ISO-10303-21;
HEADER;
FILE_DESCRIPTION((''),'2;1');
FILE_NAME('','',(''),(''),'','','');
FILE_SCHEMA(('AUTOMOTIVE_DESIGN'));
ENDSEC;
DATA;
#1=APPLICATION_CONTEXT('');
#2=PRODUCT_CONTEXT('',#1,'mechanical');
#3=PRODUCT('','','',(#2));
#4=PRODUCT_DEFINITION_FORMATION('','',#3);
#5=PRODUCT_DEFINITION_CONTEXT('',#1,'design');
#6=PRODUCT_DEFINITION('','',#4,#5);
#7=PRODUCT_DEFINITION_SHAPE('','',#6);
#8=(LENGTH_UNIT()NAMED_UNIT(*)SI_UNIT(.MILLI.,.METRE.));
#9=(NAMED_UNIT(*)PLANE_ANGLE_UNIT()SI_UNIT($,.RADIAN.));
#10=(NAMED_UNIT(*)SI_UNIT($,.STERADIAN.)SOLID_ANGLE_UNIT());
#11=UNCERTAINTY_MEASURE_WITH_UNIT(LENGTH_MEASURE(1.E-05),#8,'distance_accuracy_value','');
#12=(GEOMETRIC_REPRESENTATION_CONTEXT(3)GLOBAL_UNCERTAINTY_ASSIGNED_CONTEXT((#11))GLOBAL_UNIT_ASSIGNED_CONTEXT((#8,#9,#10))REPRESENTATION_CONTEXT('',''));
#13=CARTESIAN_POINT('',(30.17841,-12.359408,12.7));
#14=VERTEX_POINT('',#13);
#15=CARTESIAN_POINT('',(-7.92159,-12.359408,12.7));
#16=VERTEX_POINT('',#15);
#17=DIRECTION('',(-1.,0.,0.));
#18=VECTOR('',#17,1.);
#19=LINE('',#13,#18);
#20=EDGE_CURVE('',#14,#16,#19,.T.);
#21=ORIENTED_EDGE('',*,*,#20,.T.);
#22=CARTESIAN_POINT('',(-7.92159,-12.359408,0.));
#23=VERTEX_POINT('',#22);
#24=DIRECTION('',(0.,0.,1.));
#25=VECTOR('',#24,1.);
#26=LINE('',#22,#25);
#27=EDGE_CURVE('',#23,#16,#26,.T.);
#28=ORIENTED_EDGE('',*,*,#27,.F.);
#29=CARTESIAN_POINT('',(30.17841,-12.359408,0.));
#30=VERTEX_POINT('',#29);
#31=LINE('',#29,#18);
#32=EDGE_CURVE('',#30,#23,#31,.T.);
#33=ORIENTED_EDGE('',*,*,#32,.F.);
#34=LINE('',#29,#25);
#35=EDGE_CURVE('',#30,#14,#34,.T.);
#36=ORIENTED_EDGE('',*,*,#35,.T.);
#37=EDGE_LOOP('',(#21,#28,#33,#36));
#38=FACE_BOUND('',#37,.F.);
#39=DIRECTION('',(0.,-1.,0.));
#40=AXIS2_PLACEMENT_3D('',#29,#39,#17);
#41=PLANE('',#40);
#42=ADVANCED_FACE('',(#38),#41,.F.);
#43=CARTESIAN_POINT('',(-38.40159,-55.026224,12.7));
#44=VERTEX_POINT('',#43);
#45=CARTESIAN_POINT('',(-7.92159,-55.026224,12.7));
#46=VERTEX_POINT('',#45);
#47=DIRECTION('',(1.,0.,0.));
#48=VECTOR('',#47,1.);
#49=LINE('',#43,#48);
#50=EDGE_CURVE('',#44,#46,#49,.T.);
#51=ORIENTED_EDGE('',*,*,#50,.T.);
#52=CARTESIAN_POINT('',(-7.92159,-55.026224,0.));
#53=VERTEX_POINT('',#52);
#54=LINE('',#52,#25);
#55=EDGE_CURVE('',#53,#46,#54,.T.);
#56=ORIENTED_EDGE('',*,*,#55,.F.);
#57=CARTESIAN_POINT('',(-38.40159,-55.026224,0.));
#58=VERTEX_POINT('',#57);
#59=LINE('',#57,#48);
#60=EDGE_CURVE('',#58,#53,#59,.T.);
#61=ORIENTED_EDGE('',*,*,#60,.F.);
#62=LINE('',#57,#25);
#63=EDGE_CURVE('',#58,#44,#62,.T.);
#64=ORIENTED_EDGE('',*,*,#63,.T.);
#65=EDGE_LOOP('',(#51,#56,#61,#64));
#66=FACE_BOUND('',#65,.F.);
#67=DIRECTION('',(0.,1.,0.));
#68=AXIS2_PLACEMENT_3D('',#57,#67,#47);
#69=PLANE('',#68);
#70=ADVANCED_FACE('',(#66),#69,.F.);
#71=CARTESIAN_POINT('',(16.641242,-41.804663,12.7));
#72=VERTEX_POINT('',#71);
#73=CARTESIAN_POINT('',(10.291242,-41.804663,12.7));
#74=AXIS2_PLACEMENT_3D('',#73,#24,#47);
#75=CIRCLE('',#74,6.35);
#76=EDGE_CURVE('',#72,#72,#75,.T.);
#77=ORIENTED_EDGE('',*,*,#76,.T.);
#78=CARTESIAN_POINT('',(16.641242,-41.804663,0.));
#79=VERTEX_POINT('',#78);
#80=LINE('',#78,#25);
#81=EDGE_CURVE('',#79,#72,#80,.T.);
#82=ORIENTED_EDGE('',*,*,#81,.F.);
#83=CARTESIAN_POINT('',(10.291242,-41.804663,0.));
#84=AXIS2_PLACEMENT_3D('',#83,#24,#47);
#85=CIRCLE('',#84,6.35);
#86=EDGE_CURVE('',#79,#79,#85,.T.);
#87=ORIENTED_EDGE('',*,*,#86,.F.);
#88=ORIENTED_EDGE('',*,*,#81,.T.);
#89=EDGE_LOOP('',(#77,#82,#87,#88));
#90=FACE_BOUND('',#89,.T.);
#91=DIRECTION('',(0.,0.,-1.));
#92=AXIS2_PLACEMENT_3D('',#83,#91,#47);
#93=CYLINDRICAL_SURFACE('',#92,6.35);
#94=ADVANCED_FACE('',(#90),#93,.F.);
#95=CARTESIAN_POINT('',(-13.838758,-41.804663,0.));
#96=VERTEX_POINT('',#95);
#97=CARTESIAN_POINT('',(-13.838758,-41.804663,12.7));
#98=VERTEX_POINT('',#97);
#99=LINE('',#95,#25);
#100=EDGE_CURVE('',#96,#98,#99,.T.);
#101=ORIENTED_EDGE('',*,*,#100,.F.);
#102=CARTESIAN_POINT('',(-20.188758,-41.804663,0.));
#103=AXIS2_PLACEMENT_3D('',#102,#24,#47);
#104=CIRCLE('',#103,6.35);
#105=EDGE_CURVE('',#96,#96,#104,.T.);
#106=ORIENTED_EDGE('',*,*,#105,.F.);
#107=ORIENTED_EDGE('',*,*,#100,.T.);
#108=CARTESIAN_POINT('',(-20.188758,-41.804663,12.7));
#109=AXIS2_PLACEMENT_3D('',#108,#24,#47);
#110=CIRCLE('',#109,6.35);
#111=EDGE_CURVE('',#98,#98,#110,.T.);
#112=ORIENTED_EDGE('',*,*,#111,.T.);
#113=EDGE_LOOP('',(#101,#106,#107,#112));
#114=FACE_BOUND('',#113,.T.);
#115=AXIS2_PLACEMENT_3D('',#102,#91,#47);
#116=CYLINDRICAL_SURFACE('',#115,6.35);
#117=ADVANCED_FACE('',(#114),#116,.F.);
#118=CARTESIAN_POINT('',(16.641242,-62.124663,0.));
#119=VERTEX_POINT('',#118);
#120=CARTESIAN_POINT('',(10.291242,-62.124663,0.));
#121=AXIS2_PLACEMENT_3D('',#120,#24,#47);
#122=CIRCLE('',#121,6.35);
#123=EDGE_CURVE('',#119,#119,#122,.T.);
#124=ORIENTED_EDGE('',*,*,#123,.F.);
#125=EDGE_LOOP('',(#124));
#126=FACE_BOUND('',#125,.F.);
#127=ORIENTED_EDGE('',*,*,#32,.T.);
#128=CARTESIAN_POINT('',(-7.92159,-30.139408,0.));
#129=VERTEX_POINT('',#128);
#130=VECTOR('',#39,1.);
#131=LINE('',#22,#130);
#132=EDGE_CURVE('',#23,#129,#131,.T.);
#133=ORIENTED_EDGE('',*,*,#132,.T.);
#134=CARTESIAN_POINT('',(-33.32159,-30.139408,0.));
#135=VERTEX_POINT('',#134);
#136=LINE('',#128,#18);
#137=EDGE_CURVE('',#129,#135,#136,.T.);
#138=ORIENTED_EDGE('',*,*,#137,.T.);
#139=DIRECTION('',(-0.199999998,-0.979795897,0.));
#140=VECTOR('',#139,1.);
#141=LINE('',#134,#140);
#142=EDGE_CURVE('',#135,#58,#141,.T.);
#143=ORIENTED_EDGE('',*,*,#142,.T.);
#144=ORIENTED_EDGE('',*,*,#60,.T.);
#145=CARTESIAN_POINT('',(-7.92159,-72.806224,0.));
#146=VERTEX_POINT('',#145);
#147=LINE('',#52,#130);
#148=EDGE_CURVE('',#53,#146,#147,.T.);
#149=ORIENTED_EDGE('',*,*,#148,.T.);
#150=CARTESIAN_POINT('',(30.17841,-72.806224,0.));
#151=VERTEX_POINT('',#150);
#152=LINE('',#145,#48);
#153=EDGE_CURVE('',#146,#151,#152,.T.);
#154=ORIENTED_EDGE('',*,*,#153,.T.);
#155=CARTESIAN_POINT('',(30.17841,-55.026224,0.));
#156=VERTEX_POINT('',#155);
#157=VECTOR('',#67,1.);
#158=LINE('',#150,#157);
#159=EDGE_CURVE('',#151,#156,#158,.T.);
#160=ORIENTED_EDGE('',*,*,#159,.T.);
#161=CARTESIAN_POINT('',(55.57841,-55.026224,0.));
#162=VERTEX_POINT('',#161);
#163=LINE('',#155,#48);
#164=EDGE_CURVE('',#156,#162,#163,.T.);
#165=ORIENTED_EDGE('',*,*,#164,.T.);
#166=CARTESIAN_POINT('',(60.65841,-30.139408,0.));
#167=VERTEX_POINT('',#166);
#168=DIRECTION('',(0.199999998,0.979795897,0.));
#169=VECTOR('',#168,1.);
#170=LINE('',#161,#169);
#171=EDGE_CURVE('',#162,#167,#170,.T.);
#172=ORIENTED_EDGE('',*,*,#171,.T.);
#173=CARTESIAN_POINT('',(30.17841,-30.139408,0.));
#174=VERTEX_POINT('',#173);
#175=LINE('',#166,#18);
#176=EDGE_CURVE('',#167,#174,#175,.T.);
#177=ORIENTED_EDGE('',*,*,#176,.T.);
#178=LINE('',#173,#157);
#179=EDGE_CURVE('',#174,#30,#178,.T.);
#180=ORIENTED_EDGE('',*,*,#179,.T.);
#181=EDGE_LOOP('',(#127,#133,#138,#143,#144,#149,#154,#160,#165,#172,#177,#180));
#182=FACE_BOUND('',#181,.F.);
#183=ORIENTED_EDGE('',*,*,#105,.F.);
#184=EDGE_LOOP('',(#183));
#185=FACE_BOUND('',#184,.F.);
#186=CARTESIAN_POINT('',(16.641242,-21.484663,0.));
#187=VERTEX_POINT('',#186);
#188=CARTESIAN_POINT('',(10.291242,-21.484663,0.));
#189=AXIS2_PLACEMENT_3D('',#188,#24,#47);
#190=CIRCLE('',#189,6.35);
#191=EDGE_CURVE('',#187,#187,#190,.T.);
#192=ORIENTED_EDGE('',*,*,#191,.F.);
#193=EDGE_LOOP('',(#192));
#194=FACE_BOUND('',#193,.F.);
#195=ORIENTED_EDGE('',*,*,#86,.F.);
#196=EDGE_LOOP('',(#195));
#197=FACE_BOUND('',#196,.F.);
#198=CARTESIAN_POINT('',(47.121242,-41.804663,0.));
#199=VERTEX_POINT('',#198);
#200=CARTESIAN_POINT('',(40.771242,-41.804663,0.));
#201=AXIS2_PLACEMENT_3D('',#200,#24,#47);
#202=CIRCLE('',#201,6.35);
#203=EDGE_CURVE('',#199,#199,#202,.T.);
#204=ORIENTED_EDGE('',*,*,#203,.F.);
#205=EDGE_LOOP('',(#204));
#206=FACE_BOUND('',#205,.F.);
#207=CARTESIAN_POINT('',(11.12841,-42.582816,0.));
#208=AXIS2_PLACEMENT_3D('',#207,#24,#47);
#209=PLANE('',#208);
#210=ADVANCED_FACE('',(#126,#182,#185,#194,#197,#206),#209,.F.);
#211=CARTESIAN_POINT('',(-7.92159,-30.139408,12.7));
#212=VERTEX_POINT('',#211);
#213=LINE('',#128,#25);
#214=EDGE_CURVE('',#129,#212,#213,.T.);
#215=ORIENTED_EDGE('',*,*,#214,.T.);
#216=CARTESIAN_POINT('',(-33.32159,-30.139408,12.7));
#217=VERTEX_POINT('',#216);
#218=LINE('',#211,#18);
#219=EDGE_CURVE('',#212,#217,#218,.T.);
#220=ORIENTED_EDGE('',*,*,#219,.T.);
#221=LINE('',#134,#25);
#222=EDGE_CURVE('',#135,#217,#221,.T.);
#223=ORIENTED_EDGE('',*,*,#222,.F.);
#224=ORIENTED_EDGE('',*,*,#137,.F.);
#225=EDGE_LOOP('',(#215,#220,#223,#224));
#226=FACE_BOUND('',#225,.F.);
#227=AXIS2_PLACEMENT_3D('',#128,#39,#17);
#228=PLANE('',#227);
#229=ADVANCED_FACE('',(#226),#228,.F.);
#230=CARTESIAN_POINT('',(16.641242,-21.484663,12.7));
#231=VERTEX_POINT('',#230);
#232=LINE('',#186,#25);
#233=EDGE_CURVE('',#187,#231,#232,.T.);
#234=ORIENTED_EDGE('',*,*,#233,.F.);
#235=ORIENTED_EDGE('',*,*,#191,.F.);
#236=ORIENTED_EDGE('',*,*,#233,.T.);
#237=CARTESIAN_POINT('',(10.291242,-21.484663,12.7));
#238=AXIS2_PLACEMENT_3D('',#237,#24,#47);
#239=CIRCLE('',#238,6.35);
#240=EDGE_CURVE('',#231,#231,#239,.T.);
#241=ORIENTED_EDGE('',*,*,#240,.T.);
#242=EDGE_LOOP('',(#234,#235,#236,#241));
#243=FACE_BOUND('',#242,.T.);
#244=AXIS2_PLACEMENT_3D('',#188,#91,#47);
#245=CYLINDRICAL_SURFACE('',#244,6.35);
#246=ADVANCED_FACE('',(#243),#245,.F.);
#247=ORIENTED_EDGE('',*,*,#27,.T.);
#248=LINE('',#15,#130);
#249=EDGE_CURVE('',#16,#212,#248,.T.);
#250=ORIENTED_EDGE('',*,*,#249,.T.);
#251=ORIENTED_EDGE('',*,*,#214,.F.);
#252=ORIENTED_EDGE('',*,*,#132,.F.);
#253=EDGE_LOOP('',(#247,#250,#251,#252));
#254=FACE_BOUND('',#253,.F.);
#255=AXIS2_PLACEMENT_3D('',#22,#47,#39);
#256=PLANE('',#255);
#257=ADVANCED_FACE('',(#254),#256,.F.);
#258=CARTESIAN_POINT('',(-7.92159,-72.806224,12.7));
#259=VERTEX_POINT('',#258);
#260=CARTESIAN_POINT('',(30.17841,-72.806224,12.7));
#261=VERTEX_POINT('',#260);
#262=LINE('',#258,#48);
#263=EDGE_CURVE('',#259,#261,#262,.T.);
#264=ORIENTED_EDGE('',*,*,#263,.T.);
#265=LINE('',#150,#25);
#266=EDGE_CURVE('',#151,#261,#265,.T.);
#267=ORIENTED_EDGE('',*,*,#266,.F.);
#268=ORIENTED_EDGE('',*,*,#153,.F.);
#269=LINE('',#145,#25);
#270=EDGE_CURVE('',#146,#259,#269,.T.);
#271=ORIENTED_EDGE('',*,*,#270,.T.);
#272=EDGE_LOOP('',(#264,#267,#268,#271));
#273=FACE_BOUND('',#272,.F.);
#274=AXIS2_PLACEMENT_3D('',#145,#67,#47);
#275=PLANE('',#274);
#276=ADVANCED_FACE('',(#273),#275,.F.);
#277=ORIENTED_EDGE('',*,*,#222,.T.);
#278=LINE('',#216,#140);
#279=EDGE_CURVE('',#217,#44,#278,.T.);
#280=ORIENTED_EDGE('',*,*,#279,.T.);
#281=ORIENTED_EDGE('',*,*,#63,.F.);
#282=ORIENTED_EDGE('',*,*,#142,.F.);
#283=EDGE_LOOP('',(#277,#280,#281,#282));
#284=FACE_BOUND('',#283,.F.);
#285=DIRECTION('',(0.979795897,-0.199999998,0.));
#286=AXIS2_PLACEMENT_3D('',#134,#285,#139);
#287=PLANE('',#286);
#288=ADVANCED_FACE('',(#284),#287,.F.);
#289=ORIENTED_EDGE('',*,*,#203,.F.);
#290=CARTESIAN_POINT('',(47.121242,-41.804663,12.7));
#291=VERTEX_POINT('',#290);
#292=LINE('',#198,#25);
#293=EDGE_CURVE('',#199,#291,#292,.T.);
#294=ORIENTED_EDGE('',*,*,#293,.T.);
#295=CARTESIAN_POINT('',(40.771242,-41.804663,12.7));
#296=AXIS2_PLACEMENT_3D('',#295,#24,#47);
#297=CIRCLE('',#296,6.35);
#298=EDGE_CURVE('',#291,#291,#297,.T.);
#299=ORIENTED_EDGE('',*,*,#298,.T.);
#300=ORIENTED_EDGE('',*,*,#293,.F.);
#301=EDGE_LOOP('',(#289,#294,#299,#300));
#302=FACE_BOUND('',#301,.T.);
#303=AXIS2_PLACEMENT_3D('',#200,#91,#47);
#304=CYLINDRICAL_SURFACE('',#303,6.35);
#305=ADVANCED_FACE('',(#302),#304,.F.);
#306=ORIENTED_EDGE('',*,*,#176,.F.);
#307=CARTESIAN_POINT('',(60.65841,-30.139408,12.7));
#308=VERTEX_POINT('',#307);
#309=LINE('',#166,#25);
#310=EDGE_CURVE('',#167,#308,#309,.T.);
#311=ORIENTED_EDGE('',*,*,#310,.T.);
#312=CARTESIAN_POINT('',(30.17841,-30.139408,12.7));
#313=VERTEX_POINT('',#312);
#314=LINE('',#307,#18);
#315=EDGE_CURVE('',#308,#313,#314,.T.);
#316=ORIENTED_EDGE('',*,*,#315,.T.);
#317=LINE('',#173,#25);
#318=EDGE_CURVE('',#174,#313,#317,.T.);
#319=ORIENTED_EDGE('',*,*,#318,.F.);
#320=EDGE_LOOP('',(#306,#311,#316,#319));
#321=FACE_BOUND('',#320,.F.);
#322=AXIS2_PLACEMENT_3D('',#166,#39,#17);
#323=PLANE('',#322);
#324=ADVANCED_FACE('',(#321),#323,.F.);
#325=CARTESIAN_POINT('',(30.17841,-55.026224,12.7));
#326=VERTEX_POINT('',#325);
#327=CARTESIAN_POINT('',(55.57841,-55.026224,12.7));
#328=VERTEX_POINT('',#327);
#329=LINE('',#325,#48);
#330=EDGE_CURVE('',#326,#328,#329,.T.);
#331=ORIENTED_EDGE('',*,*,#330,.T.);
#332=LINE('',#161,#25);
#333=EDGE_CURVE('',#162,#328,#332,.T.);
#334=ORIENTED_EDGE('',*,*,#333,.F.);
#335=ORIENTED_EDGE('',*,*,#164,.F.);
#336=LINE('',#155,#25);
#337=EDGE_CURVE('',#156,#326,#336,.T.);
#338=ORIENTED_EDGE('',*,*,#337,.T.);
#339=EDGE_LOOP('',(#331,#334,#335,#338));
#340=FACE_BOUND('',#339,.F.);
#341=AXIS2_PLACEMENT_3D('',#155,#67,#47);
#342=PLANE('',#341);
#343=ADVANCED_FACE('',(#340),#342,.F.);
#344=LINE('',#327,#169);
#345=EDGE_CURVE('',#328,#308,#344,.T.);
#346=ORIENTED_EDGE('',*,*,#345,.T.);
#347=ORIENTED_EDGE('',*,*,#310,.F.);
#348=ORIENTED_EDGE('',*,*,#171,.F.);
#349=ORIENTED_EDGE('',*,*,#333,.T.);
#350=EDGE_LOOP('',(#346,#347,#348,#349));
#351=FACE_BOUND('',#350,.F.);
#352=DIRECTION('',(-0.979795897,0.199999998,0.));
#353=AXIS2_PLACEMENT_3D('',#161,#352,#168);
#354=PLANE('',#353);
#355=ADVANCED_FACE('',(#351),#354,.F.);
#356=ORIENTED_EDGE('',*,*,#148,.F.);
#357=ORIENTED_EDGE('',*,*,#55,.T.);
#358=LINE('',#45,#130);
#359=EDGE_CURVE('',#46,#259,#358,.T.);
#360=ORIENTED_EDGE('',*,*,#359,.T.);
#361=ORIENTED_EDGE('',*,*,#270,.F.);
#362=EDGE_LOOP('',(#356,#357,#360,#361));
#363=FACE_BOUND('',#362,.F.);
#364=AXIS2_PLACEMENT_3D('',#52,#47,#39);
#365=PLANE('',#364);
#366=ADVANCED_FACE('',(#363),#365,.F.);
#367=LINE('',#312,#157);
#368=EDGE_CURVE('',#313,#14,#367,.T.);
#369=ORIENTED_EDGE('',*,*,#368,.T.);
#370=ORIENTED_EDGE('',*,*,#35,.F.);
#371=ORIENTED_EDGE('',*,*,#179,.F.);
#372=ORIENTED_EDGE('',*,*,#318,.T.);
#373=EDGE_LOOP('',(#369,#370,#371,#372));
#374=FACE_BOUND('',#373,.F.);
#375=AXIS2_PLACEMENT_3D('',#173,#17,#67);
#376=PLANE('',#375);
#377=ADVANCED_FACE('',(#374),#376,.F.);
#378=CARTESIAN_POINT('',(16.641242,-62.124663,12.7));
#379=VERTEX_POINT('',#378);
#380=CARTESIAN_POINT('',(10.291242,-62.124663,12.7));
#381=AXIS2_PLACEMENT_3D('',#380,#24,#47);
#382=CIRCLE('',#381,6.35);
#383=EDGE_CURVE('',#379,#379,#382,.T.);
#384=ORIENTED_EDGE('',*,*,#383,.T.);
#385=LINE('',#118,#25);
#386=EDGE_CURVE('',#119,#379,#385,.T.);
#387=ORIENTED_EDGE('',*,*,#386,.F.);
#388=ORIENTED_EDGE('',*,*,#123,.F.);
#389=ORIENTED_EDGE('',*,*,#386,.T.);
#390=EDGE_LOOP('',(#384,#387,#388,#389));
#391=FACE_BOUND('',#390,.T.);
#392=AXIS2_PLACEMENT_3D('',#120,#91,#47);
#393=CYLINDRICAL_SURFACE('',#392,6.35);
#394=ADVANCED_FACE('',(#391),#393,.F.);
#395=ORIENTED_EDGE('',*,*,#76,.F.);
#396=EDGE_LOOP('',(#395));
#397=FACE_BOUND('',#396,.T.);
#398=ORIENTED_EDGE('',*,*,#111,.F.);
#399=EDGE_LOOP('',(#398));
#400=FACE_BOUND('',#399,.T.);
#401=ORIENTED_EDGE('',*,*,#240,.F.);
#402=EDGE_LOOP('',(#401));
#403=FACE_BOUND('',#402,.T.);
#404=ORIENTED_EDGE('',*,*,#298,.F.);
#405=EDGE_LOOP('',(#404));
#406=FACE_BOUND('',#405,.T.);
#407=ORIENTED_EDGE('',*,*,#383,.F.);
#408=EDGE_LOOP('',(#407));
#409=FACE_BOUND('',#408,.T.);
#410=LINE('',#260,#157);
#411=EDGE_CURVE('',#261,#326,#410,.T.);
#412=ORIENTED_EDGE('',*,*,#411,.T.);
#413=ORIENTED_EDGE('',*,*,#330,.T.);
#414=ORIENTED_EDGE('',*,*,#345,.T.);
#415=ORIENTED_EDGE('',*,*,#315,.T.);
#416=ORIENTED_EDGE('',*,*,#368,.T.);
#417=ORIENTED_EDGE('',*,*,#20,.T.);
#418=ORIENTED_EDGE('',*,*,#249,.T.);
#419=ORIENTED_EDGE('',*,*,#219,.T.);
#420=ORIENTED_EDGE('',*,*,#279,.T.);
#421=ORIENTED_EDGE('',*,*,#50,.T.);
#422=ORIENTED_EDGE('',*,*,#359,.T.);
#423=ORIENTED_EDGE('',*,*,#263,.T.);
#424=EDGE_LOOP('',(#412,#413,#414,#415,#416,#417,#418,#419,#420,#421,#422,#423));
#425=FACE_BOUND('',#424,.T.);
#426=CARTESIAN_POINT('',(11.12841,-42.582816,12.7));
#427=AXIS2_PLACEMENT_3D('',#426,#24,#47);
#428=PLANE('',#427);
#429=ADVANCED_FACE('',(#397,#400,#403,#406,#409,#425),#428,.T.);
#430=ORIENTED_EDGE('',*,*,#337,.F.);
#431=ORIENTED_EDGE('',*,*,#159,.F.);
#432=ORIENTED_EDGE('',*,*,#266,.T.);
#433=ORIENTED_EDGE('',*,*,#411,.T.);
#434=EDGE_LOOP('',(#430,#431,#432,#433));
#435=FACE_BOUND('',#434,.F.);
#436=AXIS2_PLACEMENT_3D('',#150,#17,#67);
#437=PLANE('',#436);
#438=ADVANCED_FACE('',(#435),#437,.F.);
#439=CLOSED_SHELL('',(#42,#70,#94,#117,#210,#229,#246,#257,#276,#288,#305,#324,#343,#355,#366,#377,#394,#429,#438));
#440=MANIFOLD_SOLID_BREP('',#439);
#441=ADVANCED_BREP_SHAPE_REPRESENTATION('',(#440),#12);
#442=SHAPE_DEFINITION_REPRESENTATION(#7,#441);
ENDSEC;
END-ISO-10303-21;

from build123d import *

# Parameters (mm, degrees)
F0_R     = 6.35
F1_DEPTH = 12.7


with BuildPart() as f1:
    # F0 (on Top) → F1 (new body)
    with BuildSketch(Plane.XY):
        Polygon((-7.92159, -12.359408), (-7.92159, -30.139408), (-33.32159, -30.139408), (-38.40159, -55.026224), (-7.92159, -55.026224), (-7.92159, -72.806224), (30.17841, -72.806224), (30.17841, -55.026224), (55.57841, -55.026224), (60.65841, -30.139408), (30.17841, -30.139408), (30.17841, -12.359408), align=None)
        with Locations((10.291242, -62.124663)):
            Circle(F0_R, mode=Mode.SUBTRACT)
        with Locations((-20.188758, -41.804663)):
            Circle(F0_R, mode=Mode.SUBTRACT)
        with Locations((10.291242, -41.804663)):
            Circle(F0_R, mode=Mode.SUBTRACT)
        with Locations((10.291242, -21.484663)):
            Circle(F0_R, mode=Mode.SUBTRACT)
        with Locations((40.771242, -41.804663)):
            Circle(F0_R, mode=Mode.SUBTRACT)
    extrude(amount=F1_DEPTH)


solid = f1.part
